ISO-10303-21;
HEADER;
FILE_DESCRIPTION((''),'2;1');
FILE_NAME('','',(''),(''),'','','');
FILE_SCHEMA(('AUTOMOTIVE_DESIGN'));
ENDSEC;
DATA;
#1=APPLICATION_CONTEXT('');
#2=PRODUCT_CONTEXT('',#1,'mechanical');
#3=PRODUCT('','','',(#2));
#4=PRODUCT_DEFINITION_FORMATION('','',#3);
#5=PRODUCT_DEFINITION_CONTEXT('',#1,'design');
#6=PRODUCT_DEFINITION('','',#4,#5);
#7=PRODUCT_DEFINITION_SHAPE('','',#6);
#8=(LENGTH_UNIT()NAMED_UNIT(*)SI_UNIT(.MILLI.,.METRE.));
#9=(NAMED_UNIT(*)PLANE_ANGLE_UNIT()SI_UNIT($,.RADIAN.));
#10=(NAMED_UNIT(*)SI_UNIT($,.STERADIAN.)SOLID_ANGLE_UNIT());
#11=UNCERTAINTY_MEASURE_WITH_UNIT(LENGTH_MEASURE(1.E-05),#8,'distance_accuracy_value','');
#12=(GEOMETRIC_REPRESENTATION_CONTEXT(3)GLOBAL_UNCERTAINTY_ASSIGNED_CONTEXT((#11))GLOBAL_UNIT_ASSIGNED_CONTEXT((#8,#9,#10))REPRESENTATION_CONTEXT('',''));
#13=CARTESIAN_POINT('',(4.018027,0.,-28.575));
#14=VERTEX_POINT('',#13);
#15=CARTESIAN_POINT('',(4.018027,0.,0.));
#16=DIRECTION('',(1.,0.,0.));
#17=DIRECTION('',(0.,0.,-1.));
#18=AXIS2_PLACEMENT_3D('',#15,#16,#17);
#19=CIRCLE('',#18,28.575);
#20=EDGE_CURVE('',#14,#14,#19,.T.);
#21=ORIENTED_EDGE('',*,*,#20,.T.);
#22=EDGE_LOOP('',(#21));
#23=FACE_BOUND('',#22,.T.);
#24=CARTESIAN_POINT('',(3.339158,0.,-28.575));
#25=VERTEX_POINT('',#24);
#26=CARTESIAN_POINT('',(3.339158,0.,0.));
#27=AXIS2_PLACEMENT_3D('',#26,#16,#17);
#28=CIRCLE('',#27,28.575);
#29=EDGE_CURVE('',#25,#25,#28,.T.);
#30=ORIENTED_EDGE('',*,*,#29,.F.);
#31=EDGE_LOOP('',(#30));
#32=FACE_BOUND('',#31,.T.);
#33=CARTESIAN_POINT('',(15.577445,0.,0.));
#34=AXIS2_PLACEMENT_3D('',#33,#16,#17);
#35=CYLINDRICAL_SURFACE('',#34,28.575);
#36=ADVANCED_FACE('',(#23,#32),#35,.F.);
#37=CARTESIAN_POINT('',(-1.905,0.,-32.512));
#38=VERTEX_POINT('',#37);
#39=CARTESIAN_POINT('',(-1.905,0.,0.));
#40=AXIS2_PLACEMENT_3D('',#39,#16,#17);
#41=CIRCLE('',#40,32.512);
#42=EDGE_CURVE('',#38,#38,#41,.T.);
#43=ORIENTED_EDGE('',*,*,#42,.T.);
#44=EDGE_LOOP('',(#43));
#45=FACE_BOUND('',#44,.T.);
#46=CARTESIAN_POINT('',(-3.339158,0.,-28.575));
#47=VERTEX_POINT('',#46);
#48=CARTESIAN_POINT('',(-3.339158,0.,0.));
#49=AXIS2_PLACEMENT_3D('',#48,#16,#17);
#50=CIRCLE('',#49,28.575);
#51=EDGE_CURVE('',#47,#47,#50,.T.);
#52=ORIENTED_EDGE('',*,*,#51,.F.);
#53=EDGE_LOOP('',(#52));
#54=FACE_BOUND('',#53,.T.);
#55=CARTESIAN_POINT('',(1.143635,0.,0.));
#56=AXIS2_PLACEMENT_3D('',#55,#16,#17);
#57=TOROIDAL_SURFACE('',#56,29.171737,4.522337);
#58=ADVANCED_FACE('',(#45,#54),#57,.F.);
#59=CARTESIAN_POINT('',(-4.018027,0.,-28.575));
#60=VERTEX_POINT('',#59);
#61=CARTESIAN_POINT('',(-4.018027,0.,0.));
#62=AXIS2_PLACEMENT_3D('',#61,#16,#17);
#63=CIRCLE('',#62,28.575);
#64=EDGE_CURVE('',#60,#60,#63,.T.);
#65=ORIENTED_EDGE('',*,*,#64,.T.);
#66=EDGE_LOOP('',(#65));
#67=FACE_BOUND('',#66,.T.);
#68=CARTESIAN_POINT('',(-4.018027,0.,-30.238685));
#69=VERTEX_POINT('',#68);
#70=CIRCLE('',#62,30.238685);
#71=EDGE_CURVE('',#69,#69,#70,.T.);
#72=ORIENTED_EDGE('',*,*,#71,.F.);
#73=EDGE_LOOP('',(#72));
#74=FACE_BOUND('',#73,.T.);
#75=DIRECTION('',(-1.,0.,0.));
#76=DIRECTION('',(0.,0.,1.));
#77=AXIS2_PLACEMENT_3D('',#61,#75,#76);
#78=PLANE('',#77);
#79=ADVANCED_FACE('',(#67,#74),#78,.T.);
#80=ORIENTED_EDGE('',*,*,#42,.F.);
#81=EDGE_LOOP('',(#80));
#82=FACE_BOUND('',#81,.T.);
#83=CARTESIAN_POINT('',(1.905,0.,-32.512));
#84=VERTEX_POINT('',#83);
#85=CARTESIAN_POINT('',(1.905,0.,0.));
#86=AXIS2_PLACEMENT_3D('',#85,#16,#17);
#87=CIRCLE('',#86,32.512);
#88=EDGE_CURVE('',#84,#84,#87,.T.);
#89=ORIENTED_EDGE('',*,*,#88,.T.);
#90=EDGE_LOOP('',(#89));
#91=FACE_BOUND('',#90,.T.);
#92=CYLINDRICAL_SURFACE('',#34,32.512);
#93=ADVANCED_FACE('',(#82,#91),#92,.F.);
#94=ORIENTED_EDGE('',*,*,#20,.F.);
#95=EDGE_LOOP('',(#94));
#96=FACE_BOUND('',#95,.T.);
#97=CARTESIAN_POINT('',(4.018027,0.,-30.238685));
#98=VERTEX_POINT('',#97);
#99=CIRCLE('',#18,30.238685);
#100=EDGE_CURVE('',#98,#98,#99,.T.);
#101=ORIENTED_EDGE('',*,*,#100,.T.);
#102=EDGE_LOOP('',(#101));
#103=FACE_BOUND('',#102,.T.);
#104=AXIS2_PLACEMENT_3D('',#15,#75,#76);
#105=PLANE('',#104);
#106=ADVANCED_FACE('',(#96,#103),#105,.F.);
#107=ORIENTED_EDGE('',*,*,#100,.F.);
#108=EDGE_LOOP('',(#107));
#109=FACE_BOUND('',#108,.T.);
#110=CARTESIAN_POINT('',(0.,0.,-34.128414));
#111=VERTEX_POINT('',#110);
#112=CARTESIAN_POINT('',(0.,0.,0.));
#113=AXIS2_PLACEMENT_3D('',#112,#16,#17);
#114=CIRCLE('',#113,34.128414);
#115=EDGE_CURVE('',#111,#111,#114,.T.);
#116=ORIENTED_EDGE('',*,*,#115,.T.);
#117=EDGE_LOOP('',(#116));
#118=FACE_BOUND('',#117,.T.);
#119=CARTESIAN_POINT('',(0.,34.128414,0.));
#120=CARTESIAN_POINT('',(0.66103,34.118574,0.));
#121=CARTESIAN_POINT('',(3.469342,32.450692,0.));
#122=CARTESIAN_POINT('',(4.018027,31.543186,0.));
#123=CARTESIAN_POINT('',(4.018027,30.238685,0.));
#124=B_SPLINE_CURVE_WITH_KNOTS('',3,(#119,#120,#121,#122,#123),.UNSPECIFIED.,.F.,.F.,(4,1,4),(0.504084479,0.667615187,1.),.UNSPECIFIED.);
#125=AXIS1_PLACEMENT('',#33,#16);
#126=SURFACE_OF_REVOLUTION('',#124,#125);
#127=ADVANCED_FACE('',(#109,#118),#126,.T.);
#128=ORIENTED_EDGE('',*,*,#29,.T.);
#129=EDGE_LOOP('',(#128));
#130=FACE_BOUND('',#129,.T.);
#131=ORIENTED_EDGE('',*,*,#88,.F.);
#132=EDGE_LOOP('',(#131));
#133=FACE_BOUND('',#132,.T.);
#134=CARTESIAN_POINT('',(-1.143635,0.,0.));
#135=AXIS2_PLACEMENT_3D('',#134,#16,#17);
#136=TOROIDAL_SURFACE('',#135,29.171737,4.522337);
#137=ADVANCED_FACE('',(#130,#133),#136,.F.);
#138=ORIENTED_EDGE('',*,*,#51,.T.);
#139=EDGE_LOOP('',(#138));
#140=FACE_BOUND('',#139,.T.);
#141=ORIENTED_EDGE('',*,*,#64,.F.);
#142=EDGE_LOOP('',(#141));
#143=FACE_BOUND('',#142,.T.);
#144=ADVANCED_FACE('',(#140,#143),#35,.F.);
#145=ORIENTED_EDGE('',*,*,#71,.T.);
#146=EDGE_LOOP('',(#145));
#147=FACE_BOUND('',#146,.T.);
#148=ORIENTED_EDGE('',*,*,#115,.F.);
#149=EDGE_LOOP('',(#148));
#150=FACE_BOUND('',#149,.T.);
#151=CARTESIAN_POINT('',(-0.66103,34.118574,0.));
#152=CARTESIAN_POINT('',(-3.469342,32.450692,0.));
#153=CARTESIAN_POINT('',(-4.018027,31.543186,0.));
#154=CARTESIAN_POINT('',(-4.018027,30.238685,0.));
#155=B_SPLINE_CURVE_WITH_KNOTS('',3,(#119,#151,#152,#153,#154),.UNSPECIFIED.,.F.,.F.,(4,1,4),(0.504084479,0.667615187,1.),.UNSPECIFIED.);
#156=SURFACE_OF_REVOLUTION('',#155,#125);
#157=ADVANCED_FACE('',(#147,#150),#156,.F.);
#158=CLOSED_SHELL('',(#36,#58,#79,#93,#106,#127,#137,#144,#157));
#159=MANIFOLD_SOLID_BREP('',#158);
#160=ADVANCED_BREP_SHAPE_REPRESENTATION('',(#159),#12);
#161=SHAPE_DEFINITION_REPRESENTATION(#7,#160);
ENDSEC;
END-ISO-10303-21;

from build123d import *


with BuildPart() as part:
    # Sketch1 → Revolve2 (revolve)
    with BuildSketch(Plane.XY, mode=Mode.PRIVATE) as revolve2_sk:
        with BuildLine():
            add(Edge.make_bspline(
                [(0, 34.128413699), (0.661029516, 34.118573615), (3.46934179, 32.450692205), (4.018027359, 31.543185561), (4.018027359, 30.238684994)],
                knots=[0.504084479, 0.504084479, 0.504084479, 0.504084479, 0.667615187, 1, 1, 1, 1], degree=3))
            Line((4.018027359, 30.238684994), (4.018027359, 28.575))
            Line((4.018027359, 28.575), (3.339158483, 28.575))
            ThreePointArc((3.339158483, 28.575), (3.10555268, 30.719618246), (1.905, 32.512))
            Line((1.905, 32.512), (-1.905, 32.512))
            ThreePointArc((-1.905, 32.512), (-3.10555268, 30.719618246), (-3.339158483, 28.575))
            Line((-3.339158483, 28.575), (-4.018027359, 28.575))
            Line((-4.018027359, 28.575), (-4.018027359, 30.238684994))
            add(Edge.make_bspline(
                [(0, 34.128413699), (-0.661029516, 34.118573615), (-3.46934179, 32.450692205), (-4.018027359, 31.543185561), (-4.018027359, 30.238684994)],
                knots=[0.504084479, 0.504084479, 0.504084479, 0.504084479, 0.667615187, 1, 1, 1, 1], degree=3))
        make_face()
    revolve(revolve2_sk.sketch.rotate(Axis((15.577444869, 0, 0), (-1, 0, 0)), 90), axis=Axis((15.577444869, 0, 0), (-1, 0, 0)))


solid = part.part
